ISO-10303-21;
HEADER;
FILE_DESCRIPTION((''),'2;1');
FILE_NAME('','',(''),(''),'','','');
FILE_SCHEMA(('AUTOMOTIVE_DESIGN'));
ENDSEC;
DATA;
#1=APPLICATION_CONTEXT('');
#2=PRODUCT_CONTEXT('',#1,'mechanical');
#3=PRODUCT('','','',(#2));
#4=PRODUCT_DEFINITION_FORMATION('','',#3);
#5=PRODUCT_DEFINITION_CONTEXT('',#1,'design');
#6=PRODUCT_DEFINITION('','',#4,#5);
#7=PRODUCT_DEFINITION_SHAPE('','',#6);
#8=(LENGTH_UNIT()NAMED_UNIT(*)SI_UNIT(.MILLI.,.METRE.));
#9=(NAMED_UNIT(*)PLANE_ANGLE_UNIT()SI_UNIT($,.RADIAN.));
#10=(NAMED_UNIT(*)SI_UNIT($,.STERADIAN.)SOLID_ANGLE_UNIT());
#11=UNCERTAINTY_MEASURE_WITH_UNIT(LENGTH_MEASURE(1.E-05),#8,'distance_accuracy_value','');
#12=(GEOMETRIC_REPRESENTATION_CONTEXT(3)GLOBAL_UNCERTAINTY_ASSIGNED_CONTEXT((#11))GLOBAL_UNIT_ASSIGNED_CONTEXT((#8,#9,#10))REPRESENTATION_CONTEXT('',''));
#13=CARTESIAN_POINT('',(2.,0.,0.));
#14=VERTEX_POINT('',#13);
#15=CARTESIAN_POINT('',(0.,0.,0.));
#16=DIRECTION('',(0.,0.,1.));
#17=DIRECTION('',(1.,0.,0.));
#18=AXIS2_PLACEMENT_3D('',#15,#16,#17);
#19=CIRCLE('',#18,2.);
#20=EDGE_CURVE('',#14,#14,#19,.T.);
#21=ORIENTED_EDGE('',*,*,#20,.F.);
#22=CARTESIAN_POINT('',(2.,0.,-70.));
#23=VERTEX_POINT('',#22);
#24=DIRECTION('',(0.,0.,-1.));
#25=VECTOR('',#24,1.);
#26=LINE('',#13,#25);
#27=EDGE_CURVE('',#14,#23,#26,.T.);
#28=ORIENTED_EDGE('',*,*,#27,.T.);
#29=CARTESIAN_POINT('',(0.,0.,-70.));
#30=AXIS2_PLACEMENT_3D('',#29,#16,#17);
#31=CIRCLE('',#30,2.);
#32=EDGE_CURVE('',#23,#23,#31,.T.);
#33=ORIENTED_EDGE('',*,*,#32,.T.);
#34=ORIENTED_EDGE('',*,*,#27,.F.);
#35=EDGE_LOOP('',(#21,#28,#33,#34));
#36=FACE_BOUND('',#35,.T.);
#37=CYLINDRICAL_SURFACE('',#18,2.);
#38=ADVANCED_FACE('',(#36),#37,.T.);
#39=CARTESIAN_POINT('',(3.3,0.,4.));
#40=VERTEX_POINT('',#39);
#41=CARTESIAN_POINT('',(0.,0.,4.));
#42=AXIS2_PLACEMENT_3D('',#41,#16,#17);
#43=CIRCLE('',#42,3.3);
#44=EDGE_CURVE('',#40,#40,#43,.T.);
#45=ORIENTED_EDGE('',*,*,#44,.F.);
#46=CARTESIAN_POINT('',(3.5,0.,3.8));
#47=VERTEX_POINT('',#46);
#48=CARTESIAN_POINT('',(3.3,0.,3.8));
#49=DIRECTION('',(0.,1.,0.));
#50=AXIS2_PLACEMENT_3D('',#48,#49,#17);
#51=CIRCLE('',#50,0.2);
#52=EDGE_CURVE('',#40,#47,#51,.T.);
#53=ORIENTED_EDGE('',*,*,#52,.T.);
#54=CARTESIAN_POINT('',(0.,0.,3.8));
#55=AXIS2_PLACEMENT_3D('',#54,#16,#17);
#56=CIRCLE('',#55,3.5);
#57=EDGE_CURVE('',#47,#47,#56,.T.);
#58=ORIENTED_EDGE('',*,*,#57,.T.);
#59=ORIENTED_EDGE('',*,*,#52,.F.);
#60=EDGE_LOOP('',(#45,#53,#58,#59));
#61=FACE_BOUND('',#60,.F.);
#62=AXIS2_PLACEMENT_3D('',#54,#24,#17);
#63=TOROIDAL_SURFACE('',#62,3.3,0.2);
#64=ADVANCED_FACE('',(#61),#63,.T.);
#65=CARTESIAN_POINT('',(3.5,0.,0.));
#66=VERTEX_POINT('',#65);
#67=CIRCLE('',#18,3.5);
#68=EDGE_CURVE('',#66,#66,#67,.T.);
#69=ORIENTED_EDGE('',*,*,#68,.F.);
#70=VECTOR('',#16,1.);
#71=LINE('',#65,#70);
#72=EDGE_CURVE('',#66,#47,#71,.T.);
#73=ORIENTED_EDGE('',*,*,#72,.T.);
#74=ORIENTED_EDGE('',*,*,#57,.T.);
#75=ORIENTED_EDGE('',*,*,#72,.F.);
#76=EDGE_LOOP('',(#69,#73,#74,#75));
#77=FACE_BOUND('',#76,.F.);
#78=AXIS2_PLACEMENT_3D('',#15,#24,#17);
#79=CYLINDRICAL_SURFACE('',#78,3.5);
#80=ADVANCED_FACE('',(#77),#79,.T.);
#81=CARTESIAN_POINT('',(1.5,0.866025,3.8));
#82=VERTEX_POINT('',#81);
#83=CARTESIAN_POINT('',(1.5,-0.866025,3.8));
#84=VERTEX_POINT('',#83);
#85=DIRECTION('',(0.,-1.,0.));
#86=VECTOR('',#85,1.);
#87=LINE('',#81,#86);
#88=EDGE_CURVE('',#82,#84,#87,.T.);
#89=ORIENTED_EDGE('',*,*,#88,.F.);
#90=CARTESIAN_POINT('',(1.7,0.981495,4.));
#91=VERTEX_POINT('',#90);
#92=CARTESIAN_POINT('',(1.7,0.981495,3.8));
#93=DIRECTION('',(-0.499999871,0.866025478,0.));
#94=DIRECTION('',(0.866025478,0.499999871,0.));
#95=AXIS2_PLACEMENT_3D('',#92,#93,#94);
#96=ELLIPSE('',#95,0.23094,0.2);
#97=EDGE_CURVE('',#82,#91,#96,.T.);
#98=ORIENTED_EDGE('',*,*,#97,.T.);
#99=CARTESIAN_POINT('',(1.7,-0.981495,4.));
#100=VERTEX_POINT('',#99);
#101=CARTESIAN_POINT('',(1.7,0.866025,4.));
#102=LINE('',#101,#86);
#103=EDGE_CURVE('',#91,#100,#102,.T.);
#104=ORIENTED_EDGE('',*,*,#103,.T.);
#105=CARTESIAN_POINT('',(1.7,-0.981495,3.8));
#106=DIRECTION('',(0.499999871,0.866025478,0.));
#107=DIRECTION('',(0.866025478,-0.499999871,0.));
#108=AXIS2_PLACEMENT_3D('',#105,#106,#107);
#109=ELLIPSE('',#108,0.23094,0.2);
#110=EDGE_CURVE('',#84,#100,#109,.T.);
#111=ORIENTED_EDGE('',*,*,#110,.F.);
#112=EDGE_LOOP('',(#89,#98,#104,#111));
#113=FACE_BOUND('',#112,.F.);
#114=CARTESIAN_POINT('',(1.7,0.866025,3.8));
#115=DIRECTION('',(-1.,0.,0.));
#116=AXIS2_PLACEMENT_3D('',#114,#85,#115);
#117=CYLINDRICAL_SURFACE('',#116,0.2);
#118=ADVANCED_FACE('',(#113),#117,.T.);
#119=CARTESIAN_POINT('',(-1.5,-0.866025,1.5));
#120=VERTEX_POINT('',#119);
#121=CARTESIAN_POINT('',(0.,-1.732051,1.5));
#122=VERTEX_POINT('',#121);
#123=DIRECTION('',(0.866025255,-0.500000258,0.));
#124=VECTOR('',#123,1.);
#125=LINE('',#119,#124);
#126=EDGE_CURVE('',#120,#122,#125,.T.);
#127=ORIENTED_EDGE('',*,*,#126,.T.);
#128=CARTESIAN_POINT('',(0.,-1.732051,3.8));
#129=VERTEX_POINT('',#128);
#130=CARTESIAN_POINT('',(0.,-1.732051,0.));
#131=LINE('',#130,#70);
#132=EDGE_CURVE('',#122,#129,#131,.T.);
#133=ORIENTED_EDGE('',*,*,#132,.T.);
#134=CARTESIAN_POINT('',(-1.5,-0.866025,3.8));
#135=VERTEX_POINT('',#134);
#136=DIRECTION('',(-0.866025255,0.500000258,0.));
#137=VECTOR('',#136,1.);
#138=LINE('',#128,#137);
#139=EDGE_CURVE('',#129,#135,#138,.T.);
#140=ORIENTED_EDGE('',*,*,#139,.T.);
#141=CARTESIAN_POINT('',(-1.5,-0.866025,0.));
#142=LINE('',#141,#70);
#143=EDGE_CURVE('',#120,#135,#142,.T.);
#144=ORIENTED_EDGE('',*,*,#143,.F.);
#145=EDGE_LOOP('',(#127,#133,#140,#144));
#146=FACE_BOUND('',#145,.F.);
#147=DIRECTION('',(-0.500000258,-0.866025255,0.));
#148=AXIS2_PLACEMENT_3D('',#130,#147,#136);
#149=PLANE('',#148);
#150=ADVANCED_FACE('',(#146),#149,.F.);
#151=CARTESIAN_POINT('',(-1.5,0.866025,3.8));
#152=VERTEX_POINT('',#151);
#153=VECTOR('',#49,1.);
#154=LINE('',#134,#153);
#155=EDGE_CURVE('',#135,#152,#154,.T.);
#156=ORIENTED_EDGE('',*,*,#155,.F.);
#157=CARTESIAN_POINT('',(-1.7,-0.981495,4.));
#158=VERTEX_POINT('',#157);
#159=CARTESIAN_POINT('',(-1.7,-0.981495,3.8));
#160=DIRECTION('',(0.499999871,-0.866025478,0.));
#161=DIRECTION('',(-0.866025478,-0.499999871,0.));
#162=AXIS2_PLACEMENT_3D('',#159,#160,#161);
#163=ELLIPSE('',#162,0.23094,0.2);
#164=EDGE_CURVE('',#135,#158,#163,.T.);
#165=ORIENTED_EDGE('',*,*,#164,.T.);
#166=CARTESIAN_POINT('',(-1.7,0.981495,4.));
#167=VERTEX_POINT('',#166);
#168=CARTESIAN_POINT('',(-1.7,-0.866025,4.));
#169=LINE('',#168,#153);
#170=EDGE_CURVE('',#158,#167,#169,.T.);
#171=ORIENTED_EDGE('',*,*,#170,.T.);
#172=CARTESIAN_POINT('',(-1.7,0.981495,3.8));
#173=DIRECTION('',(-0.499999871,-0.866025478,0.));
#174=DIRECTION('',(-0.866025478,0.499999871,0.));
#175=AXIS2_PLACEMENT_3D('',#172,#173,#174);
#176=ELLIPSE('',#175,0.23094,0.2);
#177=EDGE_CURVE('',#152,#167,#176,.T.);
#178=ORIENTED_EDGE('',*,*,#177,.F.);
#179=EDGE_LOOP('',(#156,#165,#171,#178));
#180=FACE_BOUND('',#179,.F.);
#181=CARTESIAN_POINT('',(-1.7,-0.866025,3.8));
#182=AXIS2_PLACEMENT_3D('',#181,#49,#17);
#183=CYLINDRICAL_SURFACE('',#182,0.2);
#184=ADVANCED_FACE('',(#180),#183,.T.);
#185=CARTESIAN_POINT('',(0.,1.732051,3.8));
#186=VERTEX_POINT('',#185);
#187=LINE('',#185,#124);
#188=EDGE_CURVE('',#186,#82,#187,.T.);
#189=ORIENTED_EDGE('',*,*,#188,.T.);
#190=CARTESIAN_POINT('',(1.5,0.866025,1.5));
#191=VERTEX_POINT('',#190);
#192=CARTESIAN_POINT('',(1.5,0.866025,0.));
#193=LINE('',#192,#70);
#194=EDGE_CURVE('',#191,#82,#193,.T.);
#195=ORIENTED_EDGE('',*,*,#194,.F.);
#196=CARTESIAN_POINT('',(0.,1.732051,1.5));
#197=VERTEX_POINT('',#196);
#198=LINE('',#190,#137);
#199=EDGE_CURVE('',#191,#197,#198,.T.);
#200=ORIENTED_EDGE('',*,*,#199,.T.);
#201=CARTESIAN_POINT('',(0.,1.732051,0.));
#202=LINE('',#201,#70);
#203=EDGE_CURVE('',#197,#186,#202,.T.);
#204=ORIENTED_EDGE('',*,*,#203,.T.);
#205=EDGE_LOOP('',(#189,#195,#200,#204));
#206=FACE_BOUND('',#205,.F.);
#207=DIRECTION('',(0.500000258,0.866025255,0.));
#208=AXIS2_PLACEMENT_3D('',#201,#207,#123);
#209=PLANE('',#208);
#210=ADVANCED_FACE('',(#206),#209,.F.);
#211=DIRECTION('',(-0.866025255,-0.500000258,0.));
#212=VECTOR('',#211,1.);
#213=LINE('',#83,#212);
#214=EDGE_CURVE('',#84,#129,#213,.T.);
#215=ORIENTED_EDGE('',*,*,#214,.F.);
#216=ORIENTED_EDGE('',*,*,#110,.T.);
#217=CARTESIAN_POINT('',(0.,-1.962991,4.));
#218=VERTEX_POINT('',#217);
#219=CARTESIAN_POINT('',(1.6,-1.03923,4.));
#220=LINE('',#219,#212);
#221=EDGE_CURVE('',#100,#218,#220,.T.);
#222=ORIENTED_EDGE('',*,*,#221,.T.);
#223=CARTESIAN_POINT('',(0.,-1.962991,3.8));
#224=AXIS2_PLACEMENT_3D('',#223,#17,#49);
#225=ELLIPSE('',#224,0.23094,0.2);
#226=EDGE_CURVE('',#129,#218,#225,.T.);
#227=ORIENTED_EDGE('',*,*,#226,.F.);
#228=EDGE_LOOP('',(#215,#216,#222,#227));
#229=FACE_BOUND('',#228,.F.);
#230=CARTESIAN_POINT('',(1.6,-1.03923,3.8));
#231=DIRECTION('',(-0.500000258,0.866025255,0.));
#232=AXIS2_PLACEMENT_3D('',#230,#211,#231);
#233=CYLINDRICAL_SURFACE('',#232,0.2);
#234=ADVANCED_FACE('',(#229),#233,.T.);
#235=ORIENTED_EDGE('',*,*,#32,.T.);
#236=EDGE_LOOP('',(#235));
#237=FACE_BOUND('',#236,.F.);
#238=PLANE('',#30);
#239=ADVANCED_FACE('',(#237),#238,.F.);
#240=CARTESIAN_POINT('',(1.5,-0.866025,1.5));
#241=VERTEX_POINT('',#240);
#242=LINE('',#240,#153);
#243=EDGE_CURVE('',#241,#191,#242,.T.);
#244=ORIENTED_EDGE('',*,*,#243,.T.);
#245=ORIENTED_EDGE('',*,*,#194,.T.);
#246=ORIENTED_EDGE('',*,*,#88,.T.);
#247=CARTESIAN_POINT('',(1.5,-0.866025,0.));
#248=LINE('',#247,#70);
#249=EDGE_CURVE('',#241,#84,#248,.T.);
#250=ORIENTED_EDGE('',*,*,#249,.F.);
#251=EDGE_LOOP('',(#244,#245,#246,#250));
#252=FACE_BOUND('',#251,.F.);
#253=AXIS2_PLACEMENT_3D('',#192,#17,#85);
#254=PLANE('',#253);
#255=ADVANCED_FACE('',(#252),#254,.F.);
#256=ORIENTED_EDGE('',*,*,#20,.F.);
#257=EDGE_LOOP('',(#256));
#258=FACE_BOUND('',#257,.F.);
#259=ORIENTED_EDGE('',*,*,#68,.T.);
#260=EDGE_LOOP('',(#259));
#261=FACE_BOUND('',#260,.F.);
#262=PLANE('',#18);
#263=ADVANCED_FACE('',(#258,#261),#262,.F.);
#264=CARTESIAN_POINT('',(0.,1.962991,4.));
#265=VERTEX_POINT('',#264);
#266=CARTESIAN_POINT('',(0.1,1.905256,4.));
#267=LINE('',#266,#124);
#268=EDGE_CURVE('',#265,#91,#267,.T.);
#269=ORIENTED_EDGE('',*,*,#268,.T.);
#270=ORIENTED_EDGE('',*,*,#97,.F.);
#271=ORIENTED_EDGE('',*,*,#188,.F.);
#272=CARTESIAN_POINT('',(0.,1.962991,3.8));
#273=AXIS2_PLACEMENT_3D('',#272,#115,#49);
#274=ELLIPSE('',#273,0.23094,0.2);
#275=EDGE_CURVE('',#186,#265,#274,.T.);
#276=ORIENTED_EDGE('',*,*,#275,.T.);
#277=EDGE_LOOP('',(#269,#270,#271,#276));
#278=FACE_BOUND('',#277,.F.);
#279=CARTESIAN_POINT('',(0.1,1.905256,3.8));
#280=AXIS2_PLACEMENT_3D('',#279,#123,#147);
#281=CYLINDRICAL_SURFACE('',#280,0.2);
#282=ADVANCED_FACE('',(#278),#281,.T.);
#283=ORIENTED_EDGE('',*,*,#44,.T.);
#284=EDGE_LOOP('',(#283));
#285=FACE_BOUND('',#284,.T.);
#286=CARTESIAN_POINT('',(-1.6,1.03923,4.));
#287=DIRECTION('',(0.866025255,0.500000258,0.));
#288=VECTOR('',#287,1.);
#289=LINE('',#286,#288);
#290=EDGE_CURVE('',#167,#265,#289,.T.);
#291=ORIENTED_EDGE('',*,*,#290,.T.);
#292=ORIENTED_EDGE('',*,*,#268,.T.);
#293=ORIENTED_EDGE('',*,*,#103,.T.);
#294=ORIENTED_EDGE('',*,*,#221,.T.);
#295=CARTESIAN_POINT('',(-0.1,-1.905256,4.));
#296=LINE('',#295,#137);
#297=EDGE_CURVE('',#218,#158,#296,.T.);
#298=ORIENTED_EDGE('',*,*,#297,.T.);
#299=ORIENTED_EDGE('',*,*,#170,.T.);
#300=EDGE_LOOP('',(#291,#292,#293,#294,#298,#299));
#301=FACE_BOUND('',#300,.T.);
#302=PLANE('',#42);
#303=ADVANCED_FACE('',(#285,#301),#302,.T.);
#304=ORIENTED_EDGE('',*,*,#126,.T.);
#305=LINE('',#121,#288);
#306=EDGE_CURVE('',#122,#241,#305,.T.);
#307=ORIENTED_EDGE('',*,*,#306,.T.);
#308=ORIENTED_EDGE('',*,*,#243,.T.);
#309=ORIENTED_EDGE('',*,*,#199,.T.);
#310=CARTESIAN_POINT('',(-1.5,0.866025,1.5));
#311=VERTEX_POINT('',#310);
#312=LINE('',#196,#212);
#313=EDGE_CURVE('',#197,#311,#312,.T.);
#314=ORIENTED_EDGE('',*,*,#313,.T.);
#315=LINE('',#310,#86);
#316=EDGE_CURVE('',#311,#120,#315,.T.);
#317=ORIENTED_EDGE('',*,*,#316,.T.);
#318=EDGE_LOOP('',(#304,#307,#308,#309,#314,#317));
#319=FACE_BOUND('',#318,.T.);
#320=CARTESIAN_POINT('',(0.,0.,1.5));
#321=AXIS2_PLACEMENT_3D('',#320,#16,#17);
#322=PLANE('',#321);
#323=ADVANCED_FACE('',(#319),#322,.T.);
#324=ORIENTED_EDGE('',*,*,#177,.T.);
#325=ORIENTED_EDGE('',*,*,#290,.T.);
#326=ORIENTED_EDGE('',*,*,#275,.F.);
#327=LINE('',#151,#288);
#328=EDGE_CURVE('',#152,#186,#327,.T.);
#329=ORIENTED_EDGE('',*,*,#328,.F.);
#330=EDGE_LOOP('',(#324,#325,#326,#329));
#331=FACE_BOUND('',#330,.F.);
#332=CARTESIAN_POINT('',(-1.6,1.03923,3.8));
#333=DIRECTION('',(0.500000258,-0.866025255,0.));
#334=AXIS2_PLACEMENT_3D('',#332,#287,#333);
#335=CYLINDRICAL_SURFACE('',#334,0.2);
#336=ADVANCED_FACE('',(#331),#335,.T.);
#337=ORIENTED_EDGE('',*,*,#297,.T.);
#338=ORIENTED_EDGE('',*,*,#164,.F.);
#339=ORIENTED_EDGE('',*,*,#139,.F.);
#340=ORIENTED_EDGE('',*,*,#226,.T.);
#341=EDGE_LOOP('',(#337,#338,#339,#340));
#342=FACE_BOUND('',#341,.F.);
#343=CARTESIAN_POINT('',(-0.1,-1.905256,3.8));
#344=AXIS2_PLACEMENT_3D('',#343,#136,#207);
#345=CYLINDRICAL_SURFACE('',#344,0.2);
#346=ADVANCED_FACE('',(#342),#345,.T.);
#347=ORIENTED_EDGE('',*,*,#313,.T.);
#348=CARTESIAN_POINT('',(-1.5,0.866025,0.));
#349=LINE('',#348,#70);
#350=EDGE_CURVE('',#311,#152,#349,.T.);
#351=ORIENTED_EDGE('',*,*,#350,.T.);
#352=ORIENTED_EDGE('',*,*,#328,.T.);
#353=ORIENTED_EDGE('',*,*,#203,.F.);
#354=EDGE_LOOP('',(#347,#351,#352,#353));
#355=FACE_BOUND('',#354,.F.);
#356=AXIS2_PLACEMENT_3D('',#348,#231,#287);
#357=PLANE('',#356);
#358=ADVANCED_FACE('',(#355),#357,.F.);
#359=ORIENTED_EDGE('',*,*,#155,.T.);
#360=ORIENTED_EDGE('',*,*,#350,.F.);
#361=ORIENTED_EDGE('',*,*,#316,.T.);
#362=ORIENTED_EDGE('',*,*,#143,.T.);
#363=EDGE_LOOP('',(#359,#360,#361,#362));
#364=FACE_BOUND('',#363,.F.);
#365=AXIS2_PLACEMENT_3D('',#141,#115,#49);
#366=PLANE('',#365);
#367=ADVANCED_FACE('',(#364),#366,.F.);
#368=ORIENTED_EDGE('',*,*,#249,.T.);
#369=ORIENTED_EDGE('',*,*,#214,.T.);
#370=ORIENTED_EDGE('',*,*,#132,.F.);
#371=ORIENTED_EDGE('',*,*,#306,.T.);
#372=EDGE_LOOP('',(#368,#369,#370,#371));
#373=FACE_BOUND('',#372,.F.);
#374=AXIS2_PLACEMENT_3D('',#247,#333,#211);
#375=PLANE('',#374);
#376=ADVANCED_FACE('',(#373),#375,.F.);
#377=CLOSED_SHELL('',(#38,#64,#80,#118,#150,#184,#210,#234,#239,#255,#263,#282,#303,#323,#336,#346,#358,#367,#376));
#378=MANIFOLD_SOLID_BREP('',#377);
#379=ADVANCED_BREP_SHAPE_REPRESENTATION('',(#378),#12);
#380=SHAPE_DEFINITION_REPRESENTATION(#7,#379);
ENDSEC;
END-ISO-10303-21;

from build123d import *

# Parameters (mm, degrees)
F0_R     = 3.5
F0_R_2   = 2
F1_DEPTH = 4
F2_DEPTH = 70
F3_DEPTH = 1.5
F4_R     = 0.2


with BuildPart() as f1:
    # F0 (on Top) → F1 (new body)
    with BuildSketch(Plane.XY):
        Circle(F0_R)
        Circle(F0_R_2, mode=Mode.SUBTRACT)
        Circle(F0_R_2)
        Polygon((0, 1.732051), (1.5, 0.866025), (1.5, -0.866025), (0, -1.732051), (-1.5, -0.866025), (-1.5, 0.866025), align=None, mode=Mode.SUBTRACT)
    extrude(amount=F1_DEPTH)

    # F0 (on Top) → F2 (join)
    with BuildSketch(Plane.XY):
        Circle(F0_R_2)
        Polygon((0, 1.732051), (1.5, 0.866025), (1.5, -0.866025), (0, -1.732051), (-1.5, -0.866025), (-1.5, 0.866025), align=None, mode=Mode.SUBTRACT)
        Polygon((1.5, -0.866025), (1.5, 0.866025), (0, 1.732051), (-1.5, 0.866025), (-1.5, -0.866025), (0, -1.732051), align=None)
    extrude(amount=-F2_DEPTH)

    # F0 (on Top) → F3 (join)
    with BuildSketch(Plane.XY):
        Polygon((1.5, -0.866025), (1.5, 0.866025), (0, 1.732051), (-1.5, 0.866025), (-1.5, -0.866025), (0, -1.732051), align=None)
    extrude(amount=F3_DEPTH)

    # F4
    f4_edges = [f1.edges().sort_by_distance(p)[0] for p in [
        (-3.5, 0, 4),
        (-0.75, -1.299038, 4),
        (-1.5, 0, 4),
        (-0.75, 1.299038, 4),
        (0.75, 1.299038, 4),
        (1.5, 0, 4),
        (0.75, -1.299038, 4),
    ]]
    fillet(f4_edges, radius=F4_R)


solid = f1.part
